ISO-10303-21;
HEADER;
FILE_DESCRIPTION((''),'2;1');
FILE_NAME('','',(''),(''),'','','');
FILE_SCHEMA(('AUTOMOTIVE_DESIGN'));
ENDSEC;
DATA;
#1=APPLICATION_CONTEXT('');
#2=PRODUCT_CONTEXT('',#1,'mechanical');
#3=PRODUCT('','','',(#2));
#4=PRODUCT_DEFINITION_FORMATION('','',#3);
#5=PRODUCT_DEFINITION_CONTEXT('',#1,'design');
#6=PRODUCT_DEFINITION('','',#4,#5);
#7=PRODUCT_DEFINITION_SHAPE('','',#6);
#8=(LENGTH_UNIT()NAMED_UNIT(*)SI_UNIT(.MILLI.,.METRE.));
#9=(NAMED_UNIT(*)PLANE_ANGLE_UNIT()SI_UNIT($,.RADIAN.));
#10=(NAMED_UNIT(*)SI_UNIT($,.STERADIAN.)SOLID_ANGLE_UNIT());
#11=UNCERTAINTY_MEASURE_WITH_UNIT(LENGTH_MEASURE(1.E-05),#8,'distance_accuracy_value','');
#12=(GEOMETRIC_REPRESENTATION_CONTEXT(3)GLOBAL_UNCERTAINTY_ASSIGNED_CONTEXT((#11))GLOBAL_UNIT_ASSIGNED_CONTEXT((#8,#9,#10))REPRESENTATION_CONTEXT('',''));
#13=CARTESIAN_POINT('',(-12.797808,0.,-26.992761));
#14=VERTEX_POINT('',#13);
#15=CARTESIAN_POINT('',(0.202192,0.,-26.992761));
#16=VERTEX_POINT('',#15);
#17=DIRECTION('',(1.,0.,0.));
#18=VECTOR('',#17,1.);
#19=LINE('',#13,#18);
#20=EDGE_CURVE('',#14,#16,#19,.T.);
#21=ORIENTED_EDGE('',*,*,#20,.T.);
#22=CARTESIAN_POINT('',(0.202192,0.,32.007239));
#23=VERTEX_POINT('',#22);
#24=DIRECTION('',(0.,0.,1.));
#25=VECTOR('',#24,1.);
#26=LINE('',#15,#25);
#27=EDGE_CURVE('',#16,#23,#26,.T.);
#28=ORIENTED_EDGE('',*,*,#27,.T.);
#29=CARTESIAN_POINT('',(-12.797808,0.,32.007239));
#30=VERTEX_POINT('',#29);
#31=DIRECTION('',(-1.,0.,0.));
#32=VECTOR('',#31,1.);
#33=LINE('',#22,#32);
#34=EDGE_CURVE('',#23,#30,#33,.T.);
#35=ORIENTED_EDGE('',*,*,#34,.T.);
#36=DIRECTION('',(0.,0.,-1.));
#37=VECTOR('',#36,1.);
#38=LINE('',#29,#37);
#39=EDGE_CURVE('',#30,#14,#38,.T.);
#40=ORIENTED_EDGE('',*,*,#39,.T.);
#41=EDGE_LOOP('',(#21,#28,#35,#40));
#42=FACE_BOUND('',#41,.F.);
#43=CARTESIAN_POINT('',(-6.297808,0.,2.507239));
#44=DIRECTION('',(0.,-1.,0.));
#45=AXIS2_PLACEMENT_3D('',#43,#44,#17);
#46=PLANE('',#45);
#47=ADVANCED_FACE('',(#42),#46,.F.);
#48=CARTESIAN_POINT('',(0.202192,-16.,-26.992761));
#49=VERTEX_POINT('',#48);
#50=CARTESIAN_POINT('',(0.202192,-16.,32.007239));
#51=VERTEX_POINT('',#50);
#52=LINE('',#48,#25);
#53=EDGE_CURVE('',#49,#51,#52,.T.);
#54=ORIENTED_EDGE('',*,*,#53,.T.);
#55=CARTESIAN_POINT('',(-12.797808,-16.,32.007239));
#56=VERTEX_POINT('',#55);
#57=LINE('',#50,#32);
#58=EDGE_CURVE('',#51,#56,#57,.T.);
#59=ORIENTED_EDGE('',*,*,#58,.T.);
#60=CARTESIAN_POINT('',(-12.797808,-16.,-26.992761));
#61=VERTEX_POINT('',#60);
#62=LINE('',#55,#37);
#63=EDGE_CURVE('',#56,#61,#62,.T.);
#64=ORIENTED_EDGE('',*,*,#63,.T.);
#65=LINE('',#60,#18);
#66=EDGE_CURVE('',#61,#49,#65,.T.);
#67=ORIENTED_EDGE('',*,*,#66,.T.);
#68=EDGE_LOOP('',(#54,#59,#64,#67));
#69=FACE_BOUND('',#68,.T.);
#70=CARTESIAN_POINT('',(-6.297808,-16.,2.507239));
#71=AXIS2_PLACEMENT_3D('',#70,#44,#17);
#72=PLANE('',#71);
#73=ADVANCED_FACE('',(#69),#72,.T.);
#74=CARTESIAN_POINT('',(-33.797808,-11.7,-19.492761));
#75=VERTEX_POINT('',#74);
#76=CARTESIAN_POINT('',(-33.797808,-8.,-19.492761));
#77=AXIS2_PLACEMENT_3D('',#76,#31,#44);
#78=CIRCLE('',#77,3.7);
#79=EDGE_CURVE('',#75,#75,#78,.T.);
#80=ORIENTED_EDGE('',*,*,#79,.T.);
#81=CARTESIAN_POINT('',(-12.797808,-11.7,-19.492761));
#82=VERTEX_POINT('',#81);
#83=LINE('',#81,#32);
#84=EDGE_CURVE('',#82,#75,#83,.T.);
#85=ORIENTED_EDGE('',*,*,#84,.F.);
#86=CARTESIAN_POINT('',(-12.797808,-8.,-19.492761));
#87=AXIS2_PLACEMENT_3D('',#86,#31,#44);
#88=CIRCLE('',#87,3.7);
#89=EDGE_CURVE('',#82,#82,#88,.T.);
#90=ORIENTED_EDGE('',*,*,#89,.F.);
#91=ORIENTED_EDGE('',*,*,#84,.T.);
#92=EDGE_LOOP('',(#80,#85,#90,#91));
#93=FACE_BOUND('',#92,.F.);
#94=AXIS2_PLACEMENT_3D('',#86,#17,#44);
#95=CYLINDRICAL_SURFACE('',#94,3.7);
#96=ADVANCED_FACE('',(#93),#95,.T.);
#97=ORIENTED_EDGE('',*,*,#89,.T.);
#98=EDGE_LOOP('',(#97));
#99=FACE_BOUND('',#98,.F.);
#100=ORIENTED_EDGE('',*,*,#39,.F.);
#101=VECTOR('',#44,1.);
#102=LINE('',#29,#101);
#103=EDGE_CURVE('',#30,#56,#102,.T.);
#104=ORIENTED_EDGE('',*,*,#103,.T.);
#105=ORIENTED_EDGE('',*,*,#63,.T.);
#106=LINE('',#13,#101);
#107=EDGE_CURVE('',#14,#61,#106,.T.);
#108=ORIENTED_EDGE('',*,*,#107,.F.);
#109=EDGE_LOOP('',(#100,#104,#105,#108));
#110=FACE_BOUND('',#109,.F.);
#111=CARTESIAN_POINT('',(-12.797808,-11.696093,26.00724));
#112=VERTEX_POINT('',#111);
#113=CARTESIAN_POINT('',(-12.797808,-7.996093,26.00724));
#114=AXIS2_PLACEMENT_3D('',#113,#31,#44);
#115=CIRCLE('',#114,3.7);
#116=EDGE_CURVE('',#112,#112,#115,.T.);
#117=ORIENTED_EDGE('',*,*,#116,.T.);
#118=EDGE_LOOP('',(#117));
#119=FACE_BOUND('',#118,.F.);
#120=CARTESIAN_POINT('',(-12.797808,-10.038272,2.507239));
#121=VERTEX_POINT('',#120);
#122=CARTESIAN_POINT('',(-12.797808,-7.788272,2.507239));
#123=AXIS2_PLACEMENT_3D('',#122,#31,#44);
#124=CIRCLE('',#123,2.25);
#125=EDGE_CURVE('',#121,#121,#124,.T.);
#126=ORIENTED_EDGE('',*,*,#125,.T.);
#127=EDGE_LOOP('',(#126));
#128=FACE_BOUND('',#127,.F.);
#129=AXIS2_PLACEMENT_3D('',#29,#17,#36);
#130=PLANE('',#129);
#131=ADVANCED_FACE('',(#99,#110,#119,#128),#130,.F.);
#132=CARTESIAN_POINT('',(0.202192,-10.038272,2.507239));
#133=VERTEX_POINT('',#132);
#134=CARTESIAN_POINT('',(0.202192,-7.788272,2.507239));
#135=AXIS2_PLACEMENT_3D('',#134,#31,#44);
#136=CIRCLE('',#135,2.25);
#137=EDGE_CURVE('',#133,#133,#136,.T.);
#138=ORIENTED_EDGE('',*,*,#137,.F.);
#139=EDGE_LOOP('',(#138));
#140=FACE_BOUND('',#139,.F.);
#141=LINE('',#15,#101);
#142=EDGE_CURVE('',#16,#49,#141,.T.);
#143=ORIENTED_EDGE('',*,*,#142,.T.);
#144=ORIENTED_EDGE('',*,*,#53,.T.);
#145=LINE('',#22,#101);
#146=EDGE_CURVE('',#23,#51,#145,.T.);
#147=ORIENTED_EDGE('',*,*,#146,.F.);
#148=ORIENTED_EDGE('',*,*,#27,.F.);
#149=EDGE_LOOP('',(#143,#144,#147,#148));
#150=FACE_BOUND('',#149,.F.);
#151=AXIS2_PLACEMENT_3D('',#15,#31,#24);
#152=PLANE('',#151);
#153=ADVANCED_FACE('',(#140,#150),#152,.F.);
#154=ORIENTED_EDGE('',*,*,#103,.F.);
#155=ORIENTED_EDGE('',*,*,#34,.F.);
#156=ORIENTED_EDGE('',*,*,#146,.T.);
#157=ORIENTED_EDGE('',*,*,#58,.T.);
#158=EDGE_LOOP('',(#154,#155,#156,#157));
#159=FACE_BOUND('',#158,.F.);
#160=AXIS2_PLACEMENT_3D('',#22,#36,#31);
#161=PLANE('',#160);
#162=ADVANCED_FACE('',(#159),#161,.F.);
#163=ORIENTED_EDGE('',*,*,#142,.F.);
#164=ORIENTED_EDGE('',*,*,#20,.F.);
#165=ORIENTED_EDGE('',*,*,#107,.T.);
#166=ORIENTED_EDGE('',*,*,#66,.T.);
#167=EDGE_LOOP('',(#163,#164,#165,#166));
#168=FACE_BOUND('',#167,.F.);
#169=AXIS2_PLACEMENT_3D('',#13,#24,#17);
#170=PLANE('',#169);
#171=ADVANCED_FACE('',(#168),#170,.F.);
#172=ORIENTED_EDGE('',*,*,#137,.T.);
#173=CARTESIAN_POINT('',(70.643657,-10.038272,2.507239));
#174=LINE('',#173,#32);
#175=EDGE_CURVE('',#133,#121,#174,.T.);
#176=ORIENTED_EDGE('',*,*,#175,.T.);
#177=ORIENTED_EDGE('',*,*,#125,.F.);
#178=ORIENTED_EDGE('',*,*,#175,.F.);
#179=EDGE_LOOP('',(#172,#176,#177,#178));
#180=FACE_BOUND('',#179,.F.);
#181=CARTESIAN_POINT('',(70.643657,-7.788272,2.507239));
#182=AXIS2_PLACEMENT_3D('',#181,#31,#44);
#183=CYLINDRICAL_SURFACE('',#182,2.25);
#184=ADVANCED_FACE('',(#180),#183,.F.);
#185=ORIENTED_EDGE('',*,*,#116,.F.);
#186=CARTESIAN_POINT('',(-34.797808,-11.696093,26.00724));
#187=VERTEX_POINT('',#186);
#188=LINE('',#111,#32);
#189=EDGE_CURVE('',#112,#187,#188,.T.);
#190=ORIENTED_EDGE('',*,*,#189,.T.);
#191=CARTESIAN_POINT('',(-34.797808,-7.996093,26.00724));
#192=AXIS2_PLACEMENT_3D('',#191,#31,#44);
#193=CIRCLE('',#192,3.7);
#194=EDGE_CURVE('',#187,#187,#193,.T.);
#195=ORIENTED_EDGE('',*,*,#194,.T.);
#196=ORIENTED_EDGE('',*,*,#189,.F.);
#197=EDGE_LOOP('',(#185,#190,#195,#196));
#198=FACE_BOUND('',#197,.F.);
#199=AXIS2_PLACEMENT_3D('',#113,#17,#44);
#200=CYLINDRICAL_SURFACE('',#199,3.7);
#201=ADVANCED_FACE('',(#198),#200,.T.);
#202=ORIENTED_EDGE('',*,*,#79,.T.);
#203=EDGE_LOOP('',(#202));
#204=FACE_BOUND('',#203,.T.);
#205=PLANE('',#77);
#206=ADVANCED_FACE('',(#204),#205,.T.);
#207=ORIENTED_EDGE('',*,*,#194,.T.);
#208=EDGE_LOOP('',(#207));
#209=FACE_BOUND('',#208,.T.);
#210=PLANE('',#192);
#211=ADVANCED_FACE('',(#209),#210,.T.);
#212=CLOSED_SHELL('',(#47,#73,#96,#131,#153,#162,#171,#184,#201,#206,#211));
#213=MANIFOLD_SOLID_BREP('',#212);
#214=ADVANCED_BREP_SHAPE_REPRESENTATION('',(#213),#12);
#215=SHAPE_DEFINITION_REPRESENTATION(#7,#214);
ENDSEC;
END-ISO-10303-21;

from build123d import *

# Parameters (mm, degrees)
F1_DEPTH = 16
F2_R     = 3.7
F3_DEPTH = 22
F4_DEPTH = 21
F6_D     = 4.5


with BuildPart() as f1:
    # F0 (on Front) → F1 (new body)
    with BuildSketch(Plane.XZ):
        Polygon((0.202192, 32.007239), (-12.797808, 32.007239), (-12.797808, 19.507239), (-12.797808, -8.492761), (-12.797808, -26.992761), (0.202192, -26.992761), align=None)
    extrude(amount=F1_DEPTH)

    # F2 (on face) → F3 (join)
    with BuildSketch(Plane(origin=(-12.797808, 0, 0), x_dir=(0, -1, 0), z_dir=(-1, 0, 0))):
        with Locations((7.996093, 26.00724)):
            Circle(F2_R)
    extrude(amount=F3_DEPTH)

    # F2 (on face) → F4 (join)
    with BuildSketch(Plane(origin=(-12.797808, 0, 0), x_dir=(0, -1, 0), z_dir=(-1, 0, 0))):
        with Locations((8, -19.492761)):
            Circle(F2_R)
    extrude(amount=F4_DEPTH)

    # F6 (through all)
    with Locations(Plane.YZ.offset(0.202192)):
        with Locations((-7.788272, 2.507239)):
            Hole(F6_D / 2)


solid = f1.part
